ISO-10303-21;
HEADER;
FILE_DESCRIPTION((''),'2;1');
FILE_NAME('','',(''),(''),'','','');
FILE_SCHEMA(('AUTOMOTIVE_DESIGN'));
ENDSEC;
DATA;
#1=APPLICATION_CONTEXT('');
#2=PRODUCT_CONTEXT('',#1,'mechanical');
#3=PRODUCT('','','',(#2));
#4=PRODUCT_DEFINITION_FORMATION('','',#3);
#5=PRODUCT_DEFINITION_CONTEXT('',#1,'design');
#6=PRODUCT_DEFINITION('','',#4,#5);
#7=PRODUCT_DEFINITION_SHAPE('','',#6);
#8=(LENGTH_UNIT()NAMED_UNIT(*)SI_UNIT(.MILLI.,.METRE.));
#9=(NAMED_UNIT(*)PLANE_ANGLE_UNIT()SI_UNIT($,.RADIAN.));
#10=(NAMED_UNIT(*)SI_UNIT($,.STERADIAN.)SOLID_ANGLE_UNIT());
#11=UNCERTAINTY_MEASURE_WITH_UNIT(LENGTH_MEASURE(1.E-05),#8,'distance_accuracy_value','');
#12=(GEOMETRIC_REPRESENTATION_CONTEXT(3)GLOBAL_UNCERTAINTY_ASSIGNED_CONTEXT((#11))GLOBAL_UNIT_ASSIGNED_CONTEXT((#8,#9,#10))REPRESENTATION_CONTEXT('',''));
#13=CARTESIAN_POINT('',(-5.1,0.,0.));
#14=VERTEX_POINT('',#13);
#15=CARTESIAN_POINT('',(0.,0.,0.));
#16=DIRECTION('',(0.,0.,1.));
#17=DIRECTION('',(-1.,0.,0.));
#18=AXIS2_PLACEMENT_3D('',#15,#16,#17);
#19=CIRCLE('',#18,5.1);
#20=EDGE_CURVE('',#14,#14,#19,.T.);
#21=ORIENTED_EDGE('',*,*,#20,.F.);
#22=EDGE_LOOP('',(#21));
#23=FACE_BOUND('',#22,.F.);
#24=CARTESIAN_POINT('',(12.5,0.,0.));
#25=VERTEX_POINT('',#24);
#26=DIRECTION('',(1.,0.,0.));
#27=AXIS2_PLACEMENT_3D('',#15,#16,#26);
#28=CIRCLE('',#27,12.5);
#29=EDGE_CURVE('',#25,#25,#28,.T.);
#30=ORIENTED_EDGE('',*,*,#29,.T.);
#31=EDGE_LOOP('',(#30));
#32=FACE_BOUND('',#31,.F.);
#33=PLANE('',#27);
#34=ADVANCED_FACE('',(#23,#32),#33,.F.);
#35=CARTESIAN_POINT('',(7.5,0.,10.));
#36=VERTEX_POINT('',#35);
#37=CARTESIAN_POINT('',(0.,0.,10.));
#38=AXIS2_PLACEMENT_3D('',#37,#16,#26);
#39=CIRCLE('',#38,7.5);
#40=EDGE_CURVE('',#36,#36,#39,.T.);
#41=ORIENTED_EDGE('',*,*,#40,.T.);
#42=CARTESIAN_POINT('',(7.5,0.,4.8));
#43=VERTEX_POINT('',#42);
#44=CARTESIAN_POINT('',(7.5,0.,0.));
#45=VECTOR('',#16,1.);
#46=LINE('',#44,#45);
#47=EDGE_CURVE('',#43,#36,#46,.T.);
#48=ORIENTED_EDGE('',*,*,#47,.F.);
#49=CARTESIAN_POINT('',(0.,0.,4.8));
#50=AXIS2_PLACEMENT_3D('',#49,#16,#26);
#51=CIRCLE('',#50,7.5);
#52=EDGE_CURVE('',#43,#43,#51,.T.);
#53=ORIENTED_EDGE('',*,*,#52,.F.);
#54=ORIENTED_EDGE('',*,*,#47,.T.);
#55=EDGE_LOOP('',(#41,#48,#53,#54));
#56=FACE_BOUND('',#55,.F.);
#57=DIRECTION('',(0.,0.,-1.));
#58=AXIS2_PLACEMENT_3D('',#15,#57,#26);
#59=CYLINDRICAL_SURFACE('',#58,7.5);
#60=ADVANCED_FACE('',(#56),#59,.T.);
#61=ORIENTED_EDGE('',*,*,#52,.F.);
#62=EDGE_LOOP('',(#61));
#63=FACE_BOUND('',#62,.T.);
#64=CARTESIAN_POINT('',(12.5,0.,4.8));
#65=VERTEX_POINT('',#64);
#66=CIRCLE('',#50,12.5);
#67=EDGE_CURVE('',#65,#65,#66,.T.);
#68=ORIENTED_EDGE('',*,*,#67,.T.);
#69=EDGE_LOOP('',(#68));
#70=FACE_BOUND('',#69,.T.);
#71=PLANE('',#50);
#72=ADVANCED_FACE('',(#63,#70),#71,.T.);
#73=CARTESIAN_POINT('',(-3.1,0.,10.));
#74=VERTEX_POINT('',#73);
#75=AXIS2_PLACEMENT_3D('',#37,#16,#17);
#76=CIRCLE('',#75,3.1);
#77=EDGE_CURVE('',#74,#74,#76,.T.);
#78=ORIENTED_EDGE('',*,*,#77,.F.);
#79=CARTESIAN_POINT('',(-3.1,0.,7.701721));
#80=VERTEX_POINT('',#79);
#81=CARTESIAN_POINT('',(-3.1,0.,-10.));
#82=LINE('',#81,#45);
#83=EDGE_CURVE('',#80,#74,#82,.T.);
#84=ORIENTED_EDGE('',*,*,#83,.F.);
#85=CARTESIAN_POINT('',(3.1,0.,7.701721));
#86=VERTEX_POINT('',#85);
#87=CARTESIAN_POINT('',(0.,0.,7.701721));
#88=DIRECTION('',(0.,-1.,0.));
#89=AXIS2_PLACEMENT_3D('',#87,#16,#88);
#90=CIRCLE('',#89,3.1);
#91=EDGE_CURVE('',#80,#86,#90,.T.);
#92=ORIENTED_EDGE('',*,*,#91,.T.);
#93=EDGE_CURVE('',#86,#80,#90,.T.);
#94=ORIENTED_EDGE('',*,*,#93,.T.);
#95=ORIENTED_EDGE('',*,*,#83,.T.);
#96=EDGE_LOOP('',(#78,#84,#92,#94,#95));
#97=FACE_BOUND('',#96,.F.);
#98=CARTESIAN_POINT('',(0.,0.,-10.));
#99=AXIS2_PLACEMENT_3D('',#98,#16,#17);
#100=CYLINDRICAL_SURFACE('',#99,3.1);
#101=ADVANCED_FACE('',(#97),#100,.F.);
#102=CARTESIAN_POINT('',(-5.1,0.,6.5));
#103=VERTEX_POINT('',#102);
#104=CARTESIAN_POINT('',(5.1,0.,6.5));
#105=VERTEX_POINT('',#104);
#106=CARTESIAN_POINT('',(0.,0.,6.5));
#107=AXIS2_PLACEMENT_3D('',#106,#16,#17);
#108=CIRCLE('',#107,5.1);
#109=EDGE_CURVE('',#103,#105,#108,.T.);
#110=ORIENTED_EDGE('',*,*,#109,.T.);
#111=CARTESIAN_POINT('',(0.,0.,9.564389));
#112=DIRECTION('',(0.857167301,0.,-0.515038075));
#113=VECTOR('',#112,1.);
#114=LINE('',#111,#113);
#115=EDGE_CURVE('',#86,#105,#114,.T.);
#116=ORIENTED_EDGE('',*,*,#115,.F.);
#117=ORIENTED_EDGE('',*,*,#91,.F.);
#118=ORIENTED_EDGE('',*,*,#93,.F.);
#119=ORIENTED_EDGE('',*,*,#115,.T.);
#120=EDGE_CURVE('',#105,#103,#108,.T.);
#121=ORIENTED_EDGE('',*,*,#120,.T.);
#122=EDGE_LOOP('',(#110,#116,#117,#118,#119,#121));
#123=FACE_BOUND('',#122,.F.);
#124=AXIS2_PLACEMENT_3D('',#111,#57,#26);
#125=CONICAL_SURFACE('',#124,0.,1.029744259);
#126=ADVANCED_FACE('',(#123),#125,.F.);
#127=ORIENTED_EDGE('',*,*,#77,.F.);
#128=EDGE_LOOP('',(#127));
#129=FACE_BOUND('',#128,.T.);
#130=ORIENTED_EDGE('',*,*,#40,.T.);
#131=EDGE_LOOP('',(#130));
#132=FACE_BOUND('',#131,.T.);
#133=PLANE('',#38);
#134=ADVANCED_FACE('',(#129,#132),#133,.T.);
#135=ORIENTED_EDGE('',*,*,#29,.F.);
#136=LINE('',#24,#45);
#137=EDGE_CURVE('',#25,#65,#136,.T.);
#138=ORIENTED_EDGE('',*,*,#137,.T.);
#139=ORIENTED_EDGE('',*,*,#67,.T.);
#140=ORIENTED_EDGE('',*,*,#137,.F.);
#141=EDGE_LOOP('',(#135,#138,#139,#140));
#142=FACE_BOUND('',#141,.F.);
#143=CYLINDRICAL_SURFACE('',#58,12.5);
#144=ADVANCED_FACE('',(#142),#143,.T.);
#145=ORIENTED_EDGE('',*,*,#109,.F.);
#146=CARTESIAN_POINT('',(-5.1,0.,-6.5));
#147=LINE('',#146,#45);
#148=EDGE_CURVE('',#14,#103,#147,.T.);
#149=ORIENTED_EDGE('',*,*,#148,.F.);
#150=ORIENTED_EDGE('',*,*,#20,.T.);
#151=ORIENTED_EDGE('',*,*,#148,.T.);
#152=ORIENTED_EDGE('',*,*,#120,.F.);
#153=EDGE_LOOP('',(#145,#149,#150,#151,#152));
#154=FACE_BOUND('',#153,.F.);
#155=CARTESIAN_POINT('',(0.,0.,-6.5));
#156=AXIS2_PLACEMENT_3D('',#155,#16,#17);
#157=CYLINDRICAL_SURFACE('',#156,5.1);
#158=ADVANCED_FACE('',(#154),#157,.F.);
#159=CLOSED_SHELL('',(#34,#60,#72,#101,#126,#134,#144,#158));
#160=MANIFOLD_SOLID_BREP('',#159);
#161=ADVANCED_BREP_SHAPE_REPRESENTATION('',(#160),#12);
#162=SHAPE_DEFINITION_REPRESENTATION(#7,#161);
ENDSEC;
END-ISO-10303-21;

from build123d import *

# Parameters (mm, degrees)
F0_R     = 7.5
F1_DEPTH = 10
F0_R_2   = 12.5
F2_DEPTH = 4.8
F3_D     = 6.2
F3_DEPTH = 10
F3_TIP   = 1.862667919
F4_D     = 10.2
F4_DEPTH = 6.5
F4_TIP   = 3.064389157


with BuildPart() as f1:
    # F0 (on Top) → F1 (new body)
    with BuildSketch(Plane.XY):
        Circle(F0_R)
    extrude(amount=F1_DEPTH)

    # F0 (on Top) → F2 (join)
    with BuildSketch(Plane.XY):
        Circle(F0_R_2)
        Circle(F0_R, mode=Mode.SUBTRACT)
    extrude(amount=F2_DEPTH)

    # F3
    with Locations(Plane(origin=(0, 0, 0), x_dir=(1, 0, 0), z_dir=(0, 0, -1))):
        with Locations((0, 0)):
            Hole(F3_D / 2, depth=F3_DEPTH)
            with Locations((0, 0, -(F3_DEPTH + F3_TIP / 2))):  # 118° drill point
                Cone(0, F3_D / 2, F3_TIP, mode=Mode.SUBTRACT)

    # F4
    with Locations(Plane(origin=(0, 0, 0), x_dir=(1, 0, 0), z_dir=(0, 0, -1))):
        with Locations((0, 0)):
            Hole(F4_D / 2, depth=F4_DEPTH)
            with Locations((0, 0, -(F4_DEPTH + F4_TIP / 2))):  # 118° drill point
                Cone(0, F4_D / 2, F4_TIP, mode=Mode.SUBTRACT)


solid = f1.part
